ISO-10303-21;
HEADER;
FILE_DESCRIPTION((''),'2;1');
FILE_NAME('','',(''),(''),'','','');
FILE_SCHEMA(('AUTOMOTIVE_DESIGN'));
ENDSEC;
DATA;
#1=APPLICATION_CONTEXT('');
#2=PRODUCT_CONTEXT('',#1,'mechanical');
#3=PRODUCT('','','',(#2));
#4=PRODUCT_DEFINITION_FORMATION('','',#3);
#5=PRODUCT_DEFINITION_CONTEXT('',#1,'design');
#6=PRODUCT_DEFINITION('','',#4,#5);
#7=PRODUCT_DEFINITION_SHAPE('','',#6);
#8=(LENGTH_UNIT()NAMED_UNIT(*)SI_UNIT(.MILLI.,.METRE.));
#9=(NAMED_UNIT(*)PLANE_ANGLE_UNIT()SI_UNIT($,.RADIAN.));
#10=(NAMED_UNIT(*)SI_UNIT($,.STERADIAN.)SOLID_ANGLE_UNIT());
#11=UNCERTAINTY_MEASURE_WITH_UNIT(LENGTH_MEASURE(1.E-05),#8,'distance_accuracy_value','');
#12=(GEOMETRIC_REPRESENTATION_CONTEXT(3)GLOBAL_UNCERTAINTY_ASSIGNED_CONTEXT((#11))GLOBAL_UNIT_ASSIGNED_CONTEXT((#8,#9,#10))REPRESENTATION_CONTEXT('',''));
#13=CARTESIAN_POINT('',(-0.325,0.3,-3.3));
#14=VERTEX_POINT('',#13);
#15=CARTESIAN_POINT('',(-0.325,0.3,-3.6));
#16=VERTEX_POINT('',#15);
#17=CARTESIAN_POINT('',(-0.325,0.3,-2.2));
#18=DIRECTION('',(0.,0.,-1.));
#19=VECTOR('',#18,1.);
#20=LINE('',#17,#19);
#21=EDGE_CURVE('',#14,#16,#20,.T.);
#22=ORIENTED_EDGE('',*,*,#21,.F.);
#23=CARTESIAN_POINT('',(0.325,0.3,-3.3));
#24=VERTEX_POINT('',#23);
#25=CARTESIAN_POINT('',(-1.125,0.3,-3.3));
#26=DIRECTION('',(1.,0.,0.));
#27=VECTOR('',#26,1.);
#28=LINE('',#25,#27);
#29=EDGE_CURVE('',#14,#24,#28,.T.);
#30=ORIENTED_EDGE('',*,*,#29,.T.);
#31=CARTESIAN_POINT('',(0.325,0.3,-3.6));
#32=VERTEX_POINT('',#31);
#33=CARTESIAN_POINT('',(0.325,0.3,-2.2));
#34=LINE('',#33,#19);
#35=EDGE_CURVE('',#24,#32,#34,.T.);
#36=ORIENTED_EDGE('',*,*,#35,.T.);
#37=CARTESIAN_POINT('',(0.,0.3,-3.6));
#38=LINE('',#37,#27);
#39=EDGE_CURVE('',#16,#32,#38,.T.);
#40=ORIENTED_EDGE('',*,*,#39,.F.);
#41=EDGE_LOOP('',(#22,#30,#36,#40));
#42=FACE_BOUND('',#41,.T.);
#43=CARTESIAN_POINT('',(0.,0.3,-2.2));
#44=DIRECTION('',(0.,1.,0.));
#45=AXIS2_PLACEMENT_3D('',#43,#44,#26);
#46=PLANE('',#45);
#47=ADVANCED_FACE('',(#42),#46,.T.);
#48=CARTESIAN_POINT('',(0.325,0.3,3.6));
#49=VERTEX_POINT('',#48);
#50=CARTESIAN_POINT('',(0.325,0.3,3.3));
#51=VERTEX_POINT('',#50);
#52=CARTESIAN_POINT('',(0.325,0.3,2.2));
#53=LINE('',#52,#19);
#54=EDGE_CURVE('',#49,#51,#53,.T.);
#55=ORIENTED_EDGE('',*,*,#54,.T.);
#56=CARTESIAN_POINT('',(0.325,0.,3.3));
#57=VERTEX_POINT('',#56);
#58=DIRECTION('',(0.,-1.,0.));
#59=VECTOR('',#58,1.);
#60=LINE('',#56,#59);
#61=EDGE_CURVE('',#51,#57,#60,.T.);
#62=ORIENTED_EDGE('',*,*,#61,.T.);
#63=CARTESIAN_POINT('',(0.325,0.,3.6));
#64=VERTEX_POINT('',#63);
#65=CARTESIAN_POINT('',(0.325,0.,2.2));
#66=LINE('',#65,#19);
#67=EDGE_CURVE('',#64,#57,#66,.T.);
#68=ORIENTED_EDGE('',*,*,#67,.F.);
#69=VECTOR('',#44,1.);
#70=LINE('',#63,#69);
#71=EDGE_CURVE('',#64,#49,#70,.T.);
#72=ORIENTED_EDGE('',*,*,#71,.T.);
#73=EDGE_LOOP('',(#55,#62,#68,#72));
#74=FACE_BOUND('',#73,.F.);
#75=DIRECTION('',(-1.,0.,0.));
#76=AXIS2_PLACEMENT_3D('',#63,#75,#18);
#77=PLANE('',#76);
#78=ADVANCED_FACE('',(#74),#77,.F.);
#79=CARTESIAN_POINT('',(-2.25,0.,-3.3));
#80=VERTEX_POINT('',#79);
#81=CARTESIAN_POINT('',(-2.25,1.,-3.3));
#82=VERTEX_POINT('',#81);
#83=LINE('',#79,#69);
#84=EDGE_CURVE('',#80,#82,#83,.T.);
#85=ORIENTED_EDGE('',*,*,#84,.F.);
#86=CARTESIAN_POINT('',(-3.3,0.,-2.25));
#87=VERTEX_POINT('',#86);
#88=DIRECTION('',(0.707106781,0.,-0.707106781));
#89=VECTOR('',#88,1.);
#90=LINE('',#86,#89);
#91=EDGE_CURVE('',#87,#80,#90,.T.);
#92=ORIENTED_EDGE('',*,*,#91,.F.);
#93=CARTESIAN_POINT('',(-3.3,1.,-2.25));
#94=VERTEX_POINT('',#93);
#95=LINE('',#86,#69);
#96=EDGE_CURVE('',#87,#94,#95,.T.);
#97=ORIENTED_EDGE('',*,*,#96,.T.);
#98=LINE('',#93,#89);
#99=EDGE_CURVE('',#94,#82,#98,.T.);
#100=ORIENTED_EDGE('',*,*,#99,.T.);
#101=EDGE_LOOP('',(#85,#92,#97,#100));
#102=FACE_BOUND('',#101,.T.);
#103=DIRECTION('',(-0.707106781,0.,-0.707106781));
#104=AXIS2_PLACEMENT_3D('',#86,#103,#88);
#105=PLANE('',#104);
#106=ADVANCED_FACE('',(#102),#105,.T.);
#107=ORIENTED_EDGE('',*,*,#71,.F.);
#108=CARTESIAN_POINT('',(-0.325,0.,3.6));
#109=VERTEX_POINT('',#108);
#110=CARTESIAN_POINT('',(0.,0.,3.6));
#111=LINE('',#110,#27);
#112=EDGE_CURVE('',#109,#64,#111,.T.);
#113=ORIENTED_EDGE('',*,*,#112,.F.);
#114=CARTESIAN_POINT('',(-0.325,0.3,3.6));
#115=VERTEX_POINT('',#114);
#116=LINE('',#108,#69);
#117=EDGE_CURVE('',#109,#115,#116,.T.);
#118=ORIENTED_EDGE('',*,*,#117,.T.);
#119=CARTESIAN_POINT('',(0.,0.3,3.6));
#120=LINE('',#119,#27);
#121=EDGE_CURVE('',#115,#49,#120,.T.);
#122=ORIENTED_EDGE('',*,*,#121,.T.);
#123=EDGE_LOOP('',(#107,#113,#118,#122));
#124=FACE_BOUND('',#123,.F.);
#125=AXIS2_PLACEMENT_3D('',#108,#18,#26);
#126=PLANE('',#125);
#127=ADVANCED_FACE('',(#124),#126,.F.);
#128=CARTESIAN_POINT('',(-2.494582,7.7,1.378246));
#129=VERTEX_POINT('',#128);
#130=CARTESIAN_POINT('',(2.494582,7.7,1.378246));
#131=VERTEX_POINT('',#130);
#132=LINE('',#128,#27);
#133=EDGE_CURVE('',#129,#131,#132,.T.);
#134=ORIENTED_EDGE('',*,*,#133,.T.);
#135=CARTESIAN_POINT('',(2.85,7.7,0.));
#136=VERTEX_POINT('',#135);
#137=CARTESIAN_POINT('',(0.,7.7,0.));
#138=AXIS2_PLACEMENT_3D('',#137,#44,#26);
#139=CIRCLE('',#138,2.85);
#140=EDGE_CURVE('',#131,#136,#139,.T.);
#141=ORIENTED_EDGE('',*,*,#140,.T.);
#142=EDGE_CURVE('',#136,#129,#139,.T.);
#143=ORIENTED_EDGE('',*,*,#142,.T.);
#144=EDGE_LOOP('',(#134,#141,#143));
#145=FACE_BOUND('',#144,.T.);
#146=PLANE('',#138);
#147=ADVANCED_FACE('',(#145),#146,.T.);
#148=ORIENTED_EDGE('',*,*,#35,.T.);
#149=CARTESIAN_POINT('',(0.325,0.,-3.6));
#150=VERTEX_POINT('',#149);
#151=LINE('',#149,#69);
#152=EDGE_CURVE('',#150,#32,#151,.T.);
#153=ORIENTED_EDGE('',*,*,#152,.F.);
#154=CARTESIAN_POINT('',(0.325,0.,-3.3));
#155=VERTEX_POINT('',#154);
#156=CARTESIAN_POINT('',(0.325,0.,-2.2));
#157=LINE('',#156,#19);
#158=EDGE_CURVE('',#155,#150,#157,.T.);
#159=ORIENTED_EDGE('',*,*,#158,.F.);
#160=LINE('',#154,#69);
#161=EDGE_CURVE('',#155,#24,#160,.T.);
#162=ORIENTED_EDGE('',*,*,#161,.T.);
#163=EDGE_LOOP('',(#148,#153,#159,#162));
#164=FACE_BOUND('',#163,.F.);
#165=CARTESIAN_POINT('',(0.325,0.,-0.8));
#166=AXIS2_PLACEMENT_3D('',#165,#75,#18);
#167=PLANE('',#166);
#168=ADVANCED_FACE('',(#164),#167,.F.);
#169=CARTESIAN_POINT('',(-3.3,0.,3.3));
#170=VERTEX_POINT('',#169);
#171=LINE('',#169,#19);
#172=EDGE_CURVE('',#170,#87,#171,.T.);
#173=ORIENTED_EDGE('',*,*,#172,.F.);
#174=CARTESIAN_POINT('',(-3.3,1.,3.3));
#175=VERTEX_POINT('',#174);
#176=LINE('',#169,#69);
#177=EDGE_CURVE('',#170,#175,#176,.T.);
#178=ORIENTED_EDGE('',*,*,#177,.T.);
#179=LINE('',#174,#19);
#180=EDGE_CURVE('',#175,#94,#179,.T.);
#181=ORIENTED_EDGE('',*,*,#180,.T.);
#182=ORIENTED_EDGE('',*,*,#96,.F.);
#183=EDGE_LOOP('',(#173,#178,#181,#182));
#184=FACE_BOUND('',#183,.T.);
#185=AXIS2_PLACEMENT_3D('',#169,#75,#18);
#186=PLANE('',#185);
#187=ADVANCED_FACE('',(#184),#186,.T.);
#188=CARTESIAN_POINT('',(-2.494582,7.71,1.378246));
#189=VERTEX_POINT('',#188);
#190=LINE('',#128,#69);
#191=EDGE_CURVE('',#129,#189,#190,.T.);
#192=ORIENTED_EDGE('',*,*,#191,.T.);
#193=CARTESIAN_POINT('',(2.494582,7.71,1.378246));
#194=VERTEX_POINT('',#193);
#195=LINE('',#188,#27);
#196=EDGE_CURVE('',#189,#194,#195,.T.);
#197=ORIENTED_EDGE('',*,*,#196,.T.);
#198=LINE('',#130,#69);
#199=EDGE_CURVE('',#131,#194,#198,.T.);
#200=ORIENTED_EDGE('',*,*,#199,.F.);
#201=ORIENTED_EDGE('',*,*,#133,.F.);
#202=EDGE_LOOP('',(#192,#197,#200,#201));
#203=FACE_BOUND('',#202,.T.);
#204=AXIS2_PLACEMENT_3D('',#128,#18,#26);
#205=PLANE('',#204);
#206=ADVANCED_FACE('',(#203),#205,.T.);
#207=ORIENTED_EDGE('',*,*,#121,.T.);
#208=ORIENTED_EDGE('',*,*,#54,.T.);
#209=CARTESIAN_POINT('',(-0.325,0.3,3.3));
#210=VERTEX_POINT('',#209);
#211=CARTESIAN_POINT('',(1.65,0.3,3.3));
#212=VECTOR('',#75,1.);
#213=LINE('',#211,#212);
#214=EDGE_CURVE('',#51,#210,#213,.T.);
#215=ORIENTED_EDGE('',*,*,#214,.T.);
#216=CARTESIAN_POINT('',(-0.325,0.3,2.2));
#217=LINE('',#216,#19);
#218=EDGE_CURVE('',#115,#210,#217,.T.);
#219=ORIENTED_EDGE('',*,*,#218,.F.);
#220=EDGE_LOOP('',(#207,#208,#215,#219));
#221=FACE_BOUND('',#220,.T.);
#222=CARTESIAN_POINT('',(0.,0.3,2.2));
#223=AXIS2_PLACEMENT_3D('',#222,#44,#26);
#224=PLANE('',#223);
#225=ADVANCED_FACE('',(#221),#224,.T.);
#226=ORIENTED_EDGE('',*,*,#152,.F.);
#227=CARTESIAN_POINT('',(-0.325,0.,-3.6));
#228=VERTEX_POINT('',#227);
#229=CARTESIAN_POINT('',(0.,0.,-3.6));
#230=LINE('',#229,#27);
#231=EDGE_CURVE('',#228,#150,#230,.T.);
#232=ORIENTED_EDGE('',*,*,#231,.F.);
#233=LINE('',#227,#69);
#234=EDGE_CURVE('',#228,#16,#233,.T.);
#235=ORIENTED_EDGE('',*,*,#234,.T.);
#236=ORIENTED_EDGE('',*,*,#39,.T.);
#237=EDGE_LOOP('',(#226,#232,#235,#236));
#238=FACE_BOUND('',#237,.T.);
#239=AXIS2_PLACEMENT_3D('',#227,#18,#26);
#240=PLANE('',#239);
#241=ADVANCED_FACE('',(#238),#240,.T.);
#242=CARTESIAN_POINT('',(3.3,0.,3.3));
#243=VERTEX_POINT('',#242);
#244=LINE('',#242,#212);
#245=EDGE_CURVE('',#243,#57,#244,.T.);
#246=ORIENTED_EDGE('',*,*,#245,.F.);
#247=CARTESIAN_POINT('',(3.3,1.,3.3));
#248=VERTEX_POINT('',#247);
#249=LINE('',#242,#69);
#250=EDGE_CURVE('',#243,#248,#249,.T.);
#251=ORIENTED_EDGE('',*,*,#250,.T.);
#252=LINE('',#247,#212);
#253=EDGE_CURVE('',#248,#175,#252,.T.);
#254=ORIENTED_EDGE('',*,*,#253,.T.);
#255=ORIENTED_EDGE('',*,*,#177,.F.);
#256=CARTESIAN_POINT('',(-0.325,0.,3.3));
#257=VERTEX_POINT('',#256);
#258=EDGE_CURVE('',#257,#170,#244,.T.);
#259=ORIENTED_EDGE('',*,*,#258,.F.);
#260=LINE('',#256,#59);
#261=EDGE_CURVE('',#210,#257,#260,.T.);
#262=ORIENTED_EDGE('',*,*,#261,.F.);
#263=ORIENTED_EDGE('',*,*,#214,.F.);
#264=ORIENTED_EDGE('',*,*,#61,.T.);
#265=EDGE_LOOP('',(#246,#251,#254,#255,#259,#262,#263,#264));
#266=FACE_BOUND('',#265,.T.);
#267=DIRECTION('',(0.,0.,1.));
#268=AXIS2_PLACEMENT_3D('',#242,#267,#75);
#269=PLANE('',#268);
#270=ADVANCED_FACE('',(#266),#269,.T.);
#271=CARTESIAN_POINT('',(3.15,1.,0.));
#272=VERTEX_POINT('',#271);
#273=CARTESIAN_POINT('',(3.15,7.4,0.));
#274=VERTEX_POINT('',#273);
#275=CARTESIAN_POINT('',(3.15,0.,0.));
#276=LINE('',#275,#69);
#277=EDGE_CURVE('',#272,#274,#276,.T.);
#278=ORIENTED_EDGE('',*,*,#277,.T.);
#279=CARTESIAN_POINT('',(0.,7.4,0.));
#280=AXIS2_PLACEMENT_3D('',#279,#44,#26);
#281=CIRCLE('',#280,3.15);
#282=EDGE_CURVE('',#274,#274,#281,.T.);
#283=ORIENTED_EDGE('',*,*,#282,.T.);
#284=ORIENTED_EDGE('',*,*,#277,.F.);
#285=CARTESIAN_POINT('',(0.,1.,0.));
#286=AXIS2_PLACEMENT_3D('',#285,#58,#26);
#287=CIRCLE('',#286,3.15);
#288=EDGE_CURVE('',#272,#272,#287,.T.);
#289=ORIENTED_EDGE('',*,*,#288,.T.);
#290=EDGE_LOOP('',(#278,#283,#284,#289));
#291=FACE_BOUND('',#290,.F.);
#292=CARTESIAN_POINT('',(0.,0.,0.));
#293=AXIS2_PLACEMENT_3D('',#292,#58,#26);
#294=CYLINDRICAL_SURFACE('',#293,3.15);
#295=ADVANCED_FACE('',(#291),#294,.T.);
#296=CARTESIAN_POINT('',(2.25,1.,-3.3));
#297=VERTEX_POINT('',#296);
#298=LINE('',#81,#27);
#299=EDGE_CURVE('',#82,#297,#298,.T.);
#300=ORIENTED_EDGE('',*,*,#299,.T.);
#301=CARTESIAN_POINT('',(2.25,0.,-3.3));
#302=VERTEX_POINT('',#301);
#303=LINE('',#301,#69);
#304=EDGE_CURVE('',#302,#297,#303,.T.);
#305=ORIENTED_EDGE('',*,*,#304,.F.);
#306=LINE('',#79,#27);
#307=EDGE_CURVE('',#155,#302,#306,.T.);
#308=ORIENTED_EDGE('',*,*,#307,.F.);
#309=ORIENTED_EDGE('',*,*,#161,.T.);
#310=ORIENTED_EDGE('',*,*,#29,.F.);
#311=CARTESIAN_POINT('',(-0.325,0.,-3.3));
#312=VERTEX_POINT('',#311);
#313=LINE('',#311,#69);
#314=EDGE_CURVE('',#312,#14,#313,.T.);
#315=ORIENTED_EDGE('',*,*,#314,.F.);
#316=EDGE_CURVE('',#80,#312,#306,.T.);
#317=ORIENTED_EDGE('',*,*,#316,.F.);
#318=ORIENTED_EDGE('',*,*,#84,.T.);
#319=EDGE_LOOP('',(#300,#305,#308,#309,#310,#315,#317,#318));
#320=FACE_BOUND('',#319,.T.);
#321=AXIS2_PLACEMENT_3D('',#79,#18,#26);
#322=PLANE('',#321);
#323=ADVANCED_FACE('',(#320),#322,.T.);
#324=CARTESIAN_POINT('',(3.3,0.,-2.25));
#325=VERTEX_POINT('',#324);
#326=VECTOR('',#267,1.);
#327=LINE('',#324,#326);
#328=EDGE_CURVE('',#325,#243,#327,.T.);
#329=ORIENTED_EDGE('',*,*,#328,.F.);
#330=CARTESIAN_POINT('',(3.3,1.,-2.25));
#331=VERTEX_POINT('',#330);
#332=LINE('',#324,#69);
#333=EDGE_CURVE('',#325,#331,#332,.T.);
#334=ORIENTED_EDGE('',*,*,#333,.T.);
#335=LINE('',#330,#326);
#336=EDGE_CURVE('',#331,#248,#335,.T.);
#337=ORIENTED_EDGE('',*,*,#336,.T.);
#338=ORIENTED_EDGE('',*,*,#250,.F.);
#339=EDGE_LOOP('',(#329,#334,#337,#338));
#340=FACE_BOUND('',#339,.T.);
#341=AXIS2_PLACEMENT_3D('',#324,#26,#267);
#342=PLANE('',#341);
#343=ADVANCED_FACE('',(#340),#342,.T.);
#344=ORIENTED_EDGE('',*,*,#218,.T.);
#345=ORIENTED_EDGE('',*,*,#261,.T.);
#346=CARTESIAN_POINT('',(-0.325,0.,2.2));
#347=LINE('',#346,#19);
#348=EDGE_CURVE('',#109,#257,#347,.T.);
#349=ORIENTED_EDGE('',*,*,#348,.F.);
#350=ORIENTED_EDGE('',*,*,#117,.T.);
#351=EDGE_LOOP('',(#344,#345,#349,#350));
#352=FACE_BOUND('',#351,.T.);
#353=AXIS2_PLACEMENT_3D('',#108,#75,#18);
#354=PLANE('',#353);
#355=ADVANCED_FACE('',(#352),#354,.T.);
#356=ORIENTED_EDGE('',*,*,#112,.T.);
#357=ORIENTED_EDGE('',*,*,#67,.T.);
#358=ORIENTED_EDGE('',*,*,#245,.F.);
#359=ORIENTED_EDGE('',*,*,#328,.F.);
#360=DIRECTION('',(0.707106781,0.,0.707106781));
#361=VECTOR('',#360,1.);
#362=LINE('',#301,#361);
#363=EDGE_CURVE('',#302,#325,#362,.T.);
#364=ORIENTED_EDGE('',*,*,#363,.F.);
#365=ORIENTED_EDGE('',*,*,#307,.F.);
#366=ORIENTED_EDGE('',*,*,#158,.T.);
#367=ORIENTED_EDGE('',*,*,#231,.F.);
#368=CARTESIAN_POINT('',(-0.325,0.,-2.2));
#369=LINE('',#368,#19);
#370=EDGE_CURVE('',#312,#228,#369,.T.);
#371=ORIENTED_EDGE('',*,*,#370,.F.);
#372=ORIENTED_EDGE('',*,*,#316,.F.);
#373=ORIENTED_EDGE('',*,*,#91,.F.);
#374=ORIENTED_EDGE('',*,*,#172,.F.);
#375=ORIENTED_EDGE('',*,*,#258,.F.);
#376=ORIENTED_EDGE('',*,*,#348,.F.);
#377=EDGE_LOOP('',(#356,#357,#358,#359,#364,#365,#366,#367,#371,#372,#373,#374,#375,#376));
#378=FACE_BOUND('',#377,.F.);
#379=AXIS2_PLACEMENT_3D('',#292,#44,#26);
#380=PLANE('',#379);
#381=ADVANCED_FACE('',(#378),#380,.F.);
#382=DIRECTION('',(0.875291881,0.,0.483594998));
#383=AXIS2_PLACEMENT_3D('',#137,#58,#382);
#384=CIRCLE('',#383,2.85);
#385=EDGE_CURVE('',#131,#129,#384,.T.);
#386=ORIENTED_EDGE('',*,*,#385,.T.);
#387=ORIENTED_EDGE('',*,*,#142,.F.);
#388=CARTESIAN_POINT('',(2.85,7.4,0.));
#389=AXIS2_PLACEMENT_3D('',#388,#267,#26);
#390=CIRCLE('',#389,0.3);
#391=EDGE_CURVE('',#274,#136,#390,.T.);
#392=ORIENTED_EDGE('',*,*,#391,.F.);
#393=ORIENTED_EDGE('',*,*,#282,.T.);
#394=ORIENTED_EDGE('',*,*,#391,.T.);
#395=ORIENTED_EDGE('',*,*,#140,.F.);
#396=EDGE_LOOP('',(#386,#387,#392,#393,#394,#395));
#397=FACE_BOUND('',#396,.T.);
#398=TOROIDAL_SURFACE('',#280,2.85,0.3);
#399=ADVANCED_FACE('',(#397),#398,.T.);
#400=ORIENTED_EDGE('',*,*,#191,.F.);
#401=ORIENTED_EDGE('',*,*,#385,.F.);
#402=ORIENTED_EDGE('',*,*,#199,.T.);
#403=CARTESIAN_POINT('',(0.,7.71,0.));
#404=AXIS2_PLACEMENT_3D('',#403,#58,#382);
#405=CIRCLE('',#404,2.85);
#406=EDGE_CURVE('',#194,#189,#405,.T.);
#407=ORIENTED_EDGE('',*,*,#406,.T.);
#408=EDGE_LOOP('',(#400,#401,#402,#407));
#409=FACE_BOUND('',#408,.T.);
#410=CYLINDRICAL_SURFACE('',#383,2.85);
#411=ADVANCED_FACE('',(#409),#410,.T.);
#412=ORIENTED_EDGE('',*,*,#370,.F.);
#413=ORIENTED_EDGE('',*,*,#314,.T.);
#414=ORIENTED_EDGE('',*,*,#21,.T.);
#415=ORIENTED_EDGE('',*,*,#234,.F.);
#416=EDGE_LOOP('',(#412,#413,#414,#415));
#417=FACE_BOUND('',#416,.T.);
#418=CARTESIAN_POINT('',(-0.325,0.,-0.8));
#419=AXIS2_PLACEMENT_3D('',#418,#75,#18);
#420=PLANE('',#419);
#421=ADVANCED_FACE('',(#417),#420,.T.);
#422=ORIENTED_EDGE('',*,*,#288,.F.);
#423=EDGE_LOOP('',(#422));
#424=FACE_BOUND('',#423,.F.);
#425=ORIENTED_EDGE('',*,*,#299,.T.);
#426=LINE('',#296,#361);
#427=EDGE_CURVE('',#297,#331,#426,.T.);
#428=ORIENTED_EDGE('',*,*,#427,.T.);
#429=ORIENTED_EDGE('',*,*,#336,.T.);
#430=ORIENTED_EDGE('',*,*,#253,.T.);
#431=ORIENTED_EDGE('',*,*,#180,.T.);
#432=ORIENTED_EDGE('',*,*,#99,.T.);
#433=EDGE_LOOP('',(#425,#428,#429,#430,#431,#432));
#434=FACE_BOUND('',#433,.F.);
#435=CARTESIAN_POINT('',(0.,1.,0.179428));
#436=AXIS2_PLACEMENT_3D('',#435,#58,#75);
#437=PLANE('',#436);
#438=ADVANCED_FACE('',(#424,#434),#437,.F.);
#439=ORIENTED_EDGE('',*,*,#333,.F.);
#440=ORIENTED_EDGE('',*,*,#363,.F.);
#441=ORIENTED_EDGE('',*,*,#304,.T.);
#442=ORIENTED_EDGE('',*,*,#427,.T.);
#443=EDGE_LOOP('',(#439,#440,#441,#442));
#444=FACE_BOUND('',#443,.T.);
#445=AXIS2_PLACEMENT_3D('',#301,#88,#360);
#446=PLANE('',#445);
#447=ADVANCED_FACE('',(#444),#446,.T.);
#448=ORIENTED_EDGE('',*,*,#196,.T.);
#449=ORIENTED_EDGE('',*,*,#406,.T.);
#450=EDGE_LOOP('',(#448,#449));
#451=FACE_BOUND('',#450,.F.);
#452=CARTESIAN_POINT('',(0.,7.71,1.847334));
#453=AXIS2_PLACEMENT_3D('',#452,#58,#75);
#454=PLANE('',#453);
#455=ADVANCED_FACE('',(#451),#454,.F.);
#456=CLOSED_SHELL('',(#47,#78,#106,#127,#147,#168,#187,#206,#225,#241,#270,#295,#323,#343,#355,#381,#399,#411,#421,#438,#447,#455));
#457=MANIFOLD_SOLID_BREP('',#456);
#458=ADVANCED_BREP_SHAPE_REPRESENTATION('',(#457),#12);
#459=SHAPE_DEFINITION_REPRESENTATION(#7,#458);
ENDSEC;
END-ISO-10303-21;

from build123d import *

# Parameters (mm, degrees)
BOSS_EXTRUDE1_DEPTH = 1
SKETCH3_R           = 3.15
BOSS_EXTRUDE2_DEPTH = 7.7
FILLET1_R           = 0.3
SKETCH4_W           = 0.65
SKETCH4_H           = 2.8
BOSS_EXTRUDE3_DEPTH = 0.3
BOSS_EXTRUDE4_DEPTH = 0.01


with BuildPart() as part:
    # Sketch2 → Boss-Extrude1 (new body)
    with BuildSketch(Plane(origin=(0, 0, 0), x_dir=(1, 0, 0), z_dir=(0, 1, 0))):
        Polygon((3.3, -3.3), (-3.3, -3.3), (-3.3, 2.25), (-2.25, 3.3), (2.25, 3.3), (3.3, 2.25), align=None)
    extrude(amount=BOSS_EXTRUDE1_DEPTH)

    # Sketch3 → Boss-Extrude2 (add)
    with BuildSketch(Plane(origin=(0, 0, 0), x_dir=(1, 0, 0), z_dir=(0, 1, 0))):
        Circle(SKETCH3_R)
    extrude(amount=BOSS_EXTRUDE2_DEPTH)

    # Fillet1
    fillet1_edges = [part.edges().sort_by_distance(p)[0] for p in [
        (-3.15, 7.7, 0),
    ]]
    fillet(fillet1_edges, radius=FILLET1_R)

    # Sketch4 → Boss-Extrude3 (add)
    with BuildSketch(Plane(origin=(0, 0, 0), x_dir=(1, 0, 0), z_dir=(0, 1, 0))):
        with Locations((0, 2.2)):
            Rectangle(SKETCH4_W, SKETCH4_H)
        with Locations((0, -2.2)):
            Rectangle(SKETCH4_W, SKETCH4_H)
    extrude(amount=BOSS_EXTRUDE3_DEPTH)

    # Sketch5 → Boss-Extrude4 (add)
    with BuildSketch(Plane(origin=(0, 7.7, 0), x_dir=(1, 0, 0), z_dir=(0, 1, 0))):
        with BuildLine():
            Line((-2.494581862, -1.378245745), (2.494581862, -1.378245745))
            ThreePointArc((2.494581862, -1.378245745), (0, -2.85), (-2.494581862, -1.378245745))
        make_face()
    extrude(amount=BOSS_EXTRUDE4_DEPTH)


solid = part.part
